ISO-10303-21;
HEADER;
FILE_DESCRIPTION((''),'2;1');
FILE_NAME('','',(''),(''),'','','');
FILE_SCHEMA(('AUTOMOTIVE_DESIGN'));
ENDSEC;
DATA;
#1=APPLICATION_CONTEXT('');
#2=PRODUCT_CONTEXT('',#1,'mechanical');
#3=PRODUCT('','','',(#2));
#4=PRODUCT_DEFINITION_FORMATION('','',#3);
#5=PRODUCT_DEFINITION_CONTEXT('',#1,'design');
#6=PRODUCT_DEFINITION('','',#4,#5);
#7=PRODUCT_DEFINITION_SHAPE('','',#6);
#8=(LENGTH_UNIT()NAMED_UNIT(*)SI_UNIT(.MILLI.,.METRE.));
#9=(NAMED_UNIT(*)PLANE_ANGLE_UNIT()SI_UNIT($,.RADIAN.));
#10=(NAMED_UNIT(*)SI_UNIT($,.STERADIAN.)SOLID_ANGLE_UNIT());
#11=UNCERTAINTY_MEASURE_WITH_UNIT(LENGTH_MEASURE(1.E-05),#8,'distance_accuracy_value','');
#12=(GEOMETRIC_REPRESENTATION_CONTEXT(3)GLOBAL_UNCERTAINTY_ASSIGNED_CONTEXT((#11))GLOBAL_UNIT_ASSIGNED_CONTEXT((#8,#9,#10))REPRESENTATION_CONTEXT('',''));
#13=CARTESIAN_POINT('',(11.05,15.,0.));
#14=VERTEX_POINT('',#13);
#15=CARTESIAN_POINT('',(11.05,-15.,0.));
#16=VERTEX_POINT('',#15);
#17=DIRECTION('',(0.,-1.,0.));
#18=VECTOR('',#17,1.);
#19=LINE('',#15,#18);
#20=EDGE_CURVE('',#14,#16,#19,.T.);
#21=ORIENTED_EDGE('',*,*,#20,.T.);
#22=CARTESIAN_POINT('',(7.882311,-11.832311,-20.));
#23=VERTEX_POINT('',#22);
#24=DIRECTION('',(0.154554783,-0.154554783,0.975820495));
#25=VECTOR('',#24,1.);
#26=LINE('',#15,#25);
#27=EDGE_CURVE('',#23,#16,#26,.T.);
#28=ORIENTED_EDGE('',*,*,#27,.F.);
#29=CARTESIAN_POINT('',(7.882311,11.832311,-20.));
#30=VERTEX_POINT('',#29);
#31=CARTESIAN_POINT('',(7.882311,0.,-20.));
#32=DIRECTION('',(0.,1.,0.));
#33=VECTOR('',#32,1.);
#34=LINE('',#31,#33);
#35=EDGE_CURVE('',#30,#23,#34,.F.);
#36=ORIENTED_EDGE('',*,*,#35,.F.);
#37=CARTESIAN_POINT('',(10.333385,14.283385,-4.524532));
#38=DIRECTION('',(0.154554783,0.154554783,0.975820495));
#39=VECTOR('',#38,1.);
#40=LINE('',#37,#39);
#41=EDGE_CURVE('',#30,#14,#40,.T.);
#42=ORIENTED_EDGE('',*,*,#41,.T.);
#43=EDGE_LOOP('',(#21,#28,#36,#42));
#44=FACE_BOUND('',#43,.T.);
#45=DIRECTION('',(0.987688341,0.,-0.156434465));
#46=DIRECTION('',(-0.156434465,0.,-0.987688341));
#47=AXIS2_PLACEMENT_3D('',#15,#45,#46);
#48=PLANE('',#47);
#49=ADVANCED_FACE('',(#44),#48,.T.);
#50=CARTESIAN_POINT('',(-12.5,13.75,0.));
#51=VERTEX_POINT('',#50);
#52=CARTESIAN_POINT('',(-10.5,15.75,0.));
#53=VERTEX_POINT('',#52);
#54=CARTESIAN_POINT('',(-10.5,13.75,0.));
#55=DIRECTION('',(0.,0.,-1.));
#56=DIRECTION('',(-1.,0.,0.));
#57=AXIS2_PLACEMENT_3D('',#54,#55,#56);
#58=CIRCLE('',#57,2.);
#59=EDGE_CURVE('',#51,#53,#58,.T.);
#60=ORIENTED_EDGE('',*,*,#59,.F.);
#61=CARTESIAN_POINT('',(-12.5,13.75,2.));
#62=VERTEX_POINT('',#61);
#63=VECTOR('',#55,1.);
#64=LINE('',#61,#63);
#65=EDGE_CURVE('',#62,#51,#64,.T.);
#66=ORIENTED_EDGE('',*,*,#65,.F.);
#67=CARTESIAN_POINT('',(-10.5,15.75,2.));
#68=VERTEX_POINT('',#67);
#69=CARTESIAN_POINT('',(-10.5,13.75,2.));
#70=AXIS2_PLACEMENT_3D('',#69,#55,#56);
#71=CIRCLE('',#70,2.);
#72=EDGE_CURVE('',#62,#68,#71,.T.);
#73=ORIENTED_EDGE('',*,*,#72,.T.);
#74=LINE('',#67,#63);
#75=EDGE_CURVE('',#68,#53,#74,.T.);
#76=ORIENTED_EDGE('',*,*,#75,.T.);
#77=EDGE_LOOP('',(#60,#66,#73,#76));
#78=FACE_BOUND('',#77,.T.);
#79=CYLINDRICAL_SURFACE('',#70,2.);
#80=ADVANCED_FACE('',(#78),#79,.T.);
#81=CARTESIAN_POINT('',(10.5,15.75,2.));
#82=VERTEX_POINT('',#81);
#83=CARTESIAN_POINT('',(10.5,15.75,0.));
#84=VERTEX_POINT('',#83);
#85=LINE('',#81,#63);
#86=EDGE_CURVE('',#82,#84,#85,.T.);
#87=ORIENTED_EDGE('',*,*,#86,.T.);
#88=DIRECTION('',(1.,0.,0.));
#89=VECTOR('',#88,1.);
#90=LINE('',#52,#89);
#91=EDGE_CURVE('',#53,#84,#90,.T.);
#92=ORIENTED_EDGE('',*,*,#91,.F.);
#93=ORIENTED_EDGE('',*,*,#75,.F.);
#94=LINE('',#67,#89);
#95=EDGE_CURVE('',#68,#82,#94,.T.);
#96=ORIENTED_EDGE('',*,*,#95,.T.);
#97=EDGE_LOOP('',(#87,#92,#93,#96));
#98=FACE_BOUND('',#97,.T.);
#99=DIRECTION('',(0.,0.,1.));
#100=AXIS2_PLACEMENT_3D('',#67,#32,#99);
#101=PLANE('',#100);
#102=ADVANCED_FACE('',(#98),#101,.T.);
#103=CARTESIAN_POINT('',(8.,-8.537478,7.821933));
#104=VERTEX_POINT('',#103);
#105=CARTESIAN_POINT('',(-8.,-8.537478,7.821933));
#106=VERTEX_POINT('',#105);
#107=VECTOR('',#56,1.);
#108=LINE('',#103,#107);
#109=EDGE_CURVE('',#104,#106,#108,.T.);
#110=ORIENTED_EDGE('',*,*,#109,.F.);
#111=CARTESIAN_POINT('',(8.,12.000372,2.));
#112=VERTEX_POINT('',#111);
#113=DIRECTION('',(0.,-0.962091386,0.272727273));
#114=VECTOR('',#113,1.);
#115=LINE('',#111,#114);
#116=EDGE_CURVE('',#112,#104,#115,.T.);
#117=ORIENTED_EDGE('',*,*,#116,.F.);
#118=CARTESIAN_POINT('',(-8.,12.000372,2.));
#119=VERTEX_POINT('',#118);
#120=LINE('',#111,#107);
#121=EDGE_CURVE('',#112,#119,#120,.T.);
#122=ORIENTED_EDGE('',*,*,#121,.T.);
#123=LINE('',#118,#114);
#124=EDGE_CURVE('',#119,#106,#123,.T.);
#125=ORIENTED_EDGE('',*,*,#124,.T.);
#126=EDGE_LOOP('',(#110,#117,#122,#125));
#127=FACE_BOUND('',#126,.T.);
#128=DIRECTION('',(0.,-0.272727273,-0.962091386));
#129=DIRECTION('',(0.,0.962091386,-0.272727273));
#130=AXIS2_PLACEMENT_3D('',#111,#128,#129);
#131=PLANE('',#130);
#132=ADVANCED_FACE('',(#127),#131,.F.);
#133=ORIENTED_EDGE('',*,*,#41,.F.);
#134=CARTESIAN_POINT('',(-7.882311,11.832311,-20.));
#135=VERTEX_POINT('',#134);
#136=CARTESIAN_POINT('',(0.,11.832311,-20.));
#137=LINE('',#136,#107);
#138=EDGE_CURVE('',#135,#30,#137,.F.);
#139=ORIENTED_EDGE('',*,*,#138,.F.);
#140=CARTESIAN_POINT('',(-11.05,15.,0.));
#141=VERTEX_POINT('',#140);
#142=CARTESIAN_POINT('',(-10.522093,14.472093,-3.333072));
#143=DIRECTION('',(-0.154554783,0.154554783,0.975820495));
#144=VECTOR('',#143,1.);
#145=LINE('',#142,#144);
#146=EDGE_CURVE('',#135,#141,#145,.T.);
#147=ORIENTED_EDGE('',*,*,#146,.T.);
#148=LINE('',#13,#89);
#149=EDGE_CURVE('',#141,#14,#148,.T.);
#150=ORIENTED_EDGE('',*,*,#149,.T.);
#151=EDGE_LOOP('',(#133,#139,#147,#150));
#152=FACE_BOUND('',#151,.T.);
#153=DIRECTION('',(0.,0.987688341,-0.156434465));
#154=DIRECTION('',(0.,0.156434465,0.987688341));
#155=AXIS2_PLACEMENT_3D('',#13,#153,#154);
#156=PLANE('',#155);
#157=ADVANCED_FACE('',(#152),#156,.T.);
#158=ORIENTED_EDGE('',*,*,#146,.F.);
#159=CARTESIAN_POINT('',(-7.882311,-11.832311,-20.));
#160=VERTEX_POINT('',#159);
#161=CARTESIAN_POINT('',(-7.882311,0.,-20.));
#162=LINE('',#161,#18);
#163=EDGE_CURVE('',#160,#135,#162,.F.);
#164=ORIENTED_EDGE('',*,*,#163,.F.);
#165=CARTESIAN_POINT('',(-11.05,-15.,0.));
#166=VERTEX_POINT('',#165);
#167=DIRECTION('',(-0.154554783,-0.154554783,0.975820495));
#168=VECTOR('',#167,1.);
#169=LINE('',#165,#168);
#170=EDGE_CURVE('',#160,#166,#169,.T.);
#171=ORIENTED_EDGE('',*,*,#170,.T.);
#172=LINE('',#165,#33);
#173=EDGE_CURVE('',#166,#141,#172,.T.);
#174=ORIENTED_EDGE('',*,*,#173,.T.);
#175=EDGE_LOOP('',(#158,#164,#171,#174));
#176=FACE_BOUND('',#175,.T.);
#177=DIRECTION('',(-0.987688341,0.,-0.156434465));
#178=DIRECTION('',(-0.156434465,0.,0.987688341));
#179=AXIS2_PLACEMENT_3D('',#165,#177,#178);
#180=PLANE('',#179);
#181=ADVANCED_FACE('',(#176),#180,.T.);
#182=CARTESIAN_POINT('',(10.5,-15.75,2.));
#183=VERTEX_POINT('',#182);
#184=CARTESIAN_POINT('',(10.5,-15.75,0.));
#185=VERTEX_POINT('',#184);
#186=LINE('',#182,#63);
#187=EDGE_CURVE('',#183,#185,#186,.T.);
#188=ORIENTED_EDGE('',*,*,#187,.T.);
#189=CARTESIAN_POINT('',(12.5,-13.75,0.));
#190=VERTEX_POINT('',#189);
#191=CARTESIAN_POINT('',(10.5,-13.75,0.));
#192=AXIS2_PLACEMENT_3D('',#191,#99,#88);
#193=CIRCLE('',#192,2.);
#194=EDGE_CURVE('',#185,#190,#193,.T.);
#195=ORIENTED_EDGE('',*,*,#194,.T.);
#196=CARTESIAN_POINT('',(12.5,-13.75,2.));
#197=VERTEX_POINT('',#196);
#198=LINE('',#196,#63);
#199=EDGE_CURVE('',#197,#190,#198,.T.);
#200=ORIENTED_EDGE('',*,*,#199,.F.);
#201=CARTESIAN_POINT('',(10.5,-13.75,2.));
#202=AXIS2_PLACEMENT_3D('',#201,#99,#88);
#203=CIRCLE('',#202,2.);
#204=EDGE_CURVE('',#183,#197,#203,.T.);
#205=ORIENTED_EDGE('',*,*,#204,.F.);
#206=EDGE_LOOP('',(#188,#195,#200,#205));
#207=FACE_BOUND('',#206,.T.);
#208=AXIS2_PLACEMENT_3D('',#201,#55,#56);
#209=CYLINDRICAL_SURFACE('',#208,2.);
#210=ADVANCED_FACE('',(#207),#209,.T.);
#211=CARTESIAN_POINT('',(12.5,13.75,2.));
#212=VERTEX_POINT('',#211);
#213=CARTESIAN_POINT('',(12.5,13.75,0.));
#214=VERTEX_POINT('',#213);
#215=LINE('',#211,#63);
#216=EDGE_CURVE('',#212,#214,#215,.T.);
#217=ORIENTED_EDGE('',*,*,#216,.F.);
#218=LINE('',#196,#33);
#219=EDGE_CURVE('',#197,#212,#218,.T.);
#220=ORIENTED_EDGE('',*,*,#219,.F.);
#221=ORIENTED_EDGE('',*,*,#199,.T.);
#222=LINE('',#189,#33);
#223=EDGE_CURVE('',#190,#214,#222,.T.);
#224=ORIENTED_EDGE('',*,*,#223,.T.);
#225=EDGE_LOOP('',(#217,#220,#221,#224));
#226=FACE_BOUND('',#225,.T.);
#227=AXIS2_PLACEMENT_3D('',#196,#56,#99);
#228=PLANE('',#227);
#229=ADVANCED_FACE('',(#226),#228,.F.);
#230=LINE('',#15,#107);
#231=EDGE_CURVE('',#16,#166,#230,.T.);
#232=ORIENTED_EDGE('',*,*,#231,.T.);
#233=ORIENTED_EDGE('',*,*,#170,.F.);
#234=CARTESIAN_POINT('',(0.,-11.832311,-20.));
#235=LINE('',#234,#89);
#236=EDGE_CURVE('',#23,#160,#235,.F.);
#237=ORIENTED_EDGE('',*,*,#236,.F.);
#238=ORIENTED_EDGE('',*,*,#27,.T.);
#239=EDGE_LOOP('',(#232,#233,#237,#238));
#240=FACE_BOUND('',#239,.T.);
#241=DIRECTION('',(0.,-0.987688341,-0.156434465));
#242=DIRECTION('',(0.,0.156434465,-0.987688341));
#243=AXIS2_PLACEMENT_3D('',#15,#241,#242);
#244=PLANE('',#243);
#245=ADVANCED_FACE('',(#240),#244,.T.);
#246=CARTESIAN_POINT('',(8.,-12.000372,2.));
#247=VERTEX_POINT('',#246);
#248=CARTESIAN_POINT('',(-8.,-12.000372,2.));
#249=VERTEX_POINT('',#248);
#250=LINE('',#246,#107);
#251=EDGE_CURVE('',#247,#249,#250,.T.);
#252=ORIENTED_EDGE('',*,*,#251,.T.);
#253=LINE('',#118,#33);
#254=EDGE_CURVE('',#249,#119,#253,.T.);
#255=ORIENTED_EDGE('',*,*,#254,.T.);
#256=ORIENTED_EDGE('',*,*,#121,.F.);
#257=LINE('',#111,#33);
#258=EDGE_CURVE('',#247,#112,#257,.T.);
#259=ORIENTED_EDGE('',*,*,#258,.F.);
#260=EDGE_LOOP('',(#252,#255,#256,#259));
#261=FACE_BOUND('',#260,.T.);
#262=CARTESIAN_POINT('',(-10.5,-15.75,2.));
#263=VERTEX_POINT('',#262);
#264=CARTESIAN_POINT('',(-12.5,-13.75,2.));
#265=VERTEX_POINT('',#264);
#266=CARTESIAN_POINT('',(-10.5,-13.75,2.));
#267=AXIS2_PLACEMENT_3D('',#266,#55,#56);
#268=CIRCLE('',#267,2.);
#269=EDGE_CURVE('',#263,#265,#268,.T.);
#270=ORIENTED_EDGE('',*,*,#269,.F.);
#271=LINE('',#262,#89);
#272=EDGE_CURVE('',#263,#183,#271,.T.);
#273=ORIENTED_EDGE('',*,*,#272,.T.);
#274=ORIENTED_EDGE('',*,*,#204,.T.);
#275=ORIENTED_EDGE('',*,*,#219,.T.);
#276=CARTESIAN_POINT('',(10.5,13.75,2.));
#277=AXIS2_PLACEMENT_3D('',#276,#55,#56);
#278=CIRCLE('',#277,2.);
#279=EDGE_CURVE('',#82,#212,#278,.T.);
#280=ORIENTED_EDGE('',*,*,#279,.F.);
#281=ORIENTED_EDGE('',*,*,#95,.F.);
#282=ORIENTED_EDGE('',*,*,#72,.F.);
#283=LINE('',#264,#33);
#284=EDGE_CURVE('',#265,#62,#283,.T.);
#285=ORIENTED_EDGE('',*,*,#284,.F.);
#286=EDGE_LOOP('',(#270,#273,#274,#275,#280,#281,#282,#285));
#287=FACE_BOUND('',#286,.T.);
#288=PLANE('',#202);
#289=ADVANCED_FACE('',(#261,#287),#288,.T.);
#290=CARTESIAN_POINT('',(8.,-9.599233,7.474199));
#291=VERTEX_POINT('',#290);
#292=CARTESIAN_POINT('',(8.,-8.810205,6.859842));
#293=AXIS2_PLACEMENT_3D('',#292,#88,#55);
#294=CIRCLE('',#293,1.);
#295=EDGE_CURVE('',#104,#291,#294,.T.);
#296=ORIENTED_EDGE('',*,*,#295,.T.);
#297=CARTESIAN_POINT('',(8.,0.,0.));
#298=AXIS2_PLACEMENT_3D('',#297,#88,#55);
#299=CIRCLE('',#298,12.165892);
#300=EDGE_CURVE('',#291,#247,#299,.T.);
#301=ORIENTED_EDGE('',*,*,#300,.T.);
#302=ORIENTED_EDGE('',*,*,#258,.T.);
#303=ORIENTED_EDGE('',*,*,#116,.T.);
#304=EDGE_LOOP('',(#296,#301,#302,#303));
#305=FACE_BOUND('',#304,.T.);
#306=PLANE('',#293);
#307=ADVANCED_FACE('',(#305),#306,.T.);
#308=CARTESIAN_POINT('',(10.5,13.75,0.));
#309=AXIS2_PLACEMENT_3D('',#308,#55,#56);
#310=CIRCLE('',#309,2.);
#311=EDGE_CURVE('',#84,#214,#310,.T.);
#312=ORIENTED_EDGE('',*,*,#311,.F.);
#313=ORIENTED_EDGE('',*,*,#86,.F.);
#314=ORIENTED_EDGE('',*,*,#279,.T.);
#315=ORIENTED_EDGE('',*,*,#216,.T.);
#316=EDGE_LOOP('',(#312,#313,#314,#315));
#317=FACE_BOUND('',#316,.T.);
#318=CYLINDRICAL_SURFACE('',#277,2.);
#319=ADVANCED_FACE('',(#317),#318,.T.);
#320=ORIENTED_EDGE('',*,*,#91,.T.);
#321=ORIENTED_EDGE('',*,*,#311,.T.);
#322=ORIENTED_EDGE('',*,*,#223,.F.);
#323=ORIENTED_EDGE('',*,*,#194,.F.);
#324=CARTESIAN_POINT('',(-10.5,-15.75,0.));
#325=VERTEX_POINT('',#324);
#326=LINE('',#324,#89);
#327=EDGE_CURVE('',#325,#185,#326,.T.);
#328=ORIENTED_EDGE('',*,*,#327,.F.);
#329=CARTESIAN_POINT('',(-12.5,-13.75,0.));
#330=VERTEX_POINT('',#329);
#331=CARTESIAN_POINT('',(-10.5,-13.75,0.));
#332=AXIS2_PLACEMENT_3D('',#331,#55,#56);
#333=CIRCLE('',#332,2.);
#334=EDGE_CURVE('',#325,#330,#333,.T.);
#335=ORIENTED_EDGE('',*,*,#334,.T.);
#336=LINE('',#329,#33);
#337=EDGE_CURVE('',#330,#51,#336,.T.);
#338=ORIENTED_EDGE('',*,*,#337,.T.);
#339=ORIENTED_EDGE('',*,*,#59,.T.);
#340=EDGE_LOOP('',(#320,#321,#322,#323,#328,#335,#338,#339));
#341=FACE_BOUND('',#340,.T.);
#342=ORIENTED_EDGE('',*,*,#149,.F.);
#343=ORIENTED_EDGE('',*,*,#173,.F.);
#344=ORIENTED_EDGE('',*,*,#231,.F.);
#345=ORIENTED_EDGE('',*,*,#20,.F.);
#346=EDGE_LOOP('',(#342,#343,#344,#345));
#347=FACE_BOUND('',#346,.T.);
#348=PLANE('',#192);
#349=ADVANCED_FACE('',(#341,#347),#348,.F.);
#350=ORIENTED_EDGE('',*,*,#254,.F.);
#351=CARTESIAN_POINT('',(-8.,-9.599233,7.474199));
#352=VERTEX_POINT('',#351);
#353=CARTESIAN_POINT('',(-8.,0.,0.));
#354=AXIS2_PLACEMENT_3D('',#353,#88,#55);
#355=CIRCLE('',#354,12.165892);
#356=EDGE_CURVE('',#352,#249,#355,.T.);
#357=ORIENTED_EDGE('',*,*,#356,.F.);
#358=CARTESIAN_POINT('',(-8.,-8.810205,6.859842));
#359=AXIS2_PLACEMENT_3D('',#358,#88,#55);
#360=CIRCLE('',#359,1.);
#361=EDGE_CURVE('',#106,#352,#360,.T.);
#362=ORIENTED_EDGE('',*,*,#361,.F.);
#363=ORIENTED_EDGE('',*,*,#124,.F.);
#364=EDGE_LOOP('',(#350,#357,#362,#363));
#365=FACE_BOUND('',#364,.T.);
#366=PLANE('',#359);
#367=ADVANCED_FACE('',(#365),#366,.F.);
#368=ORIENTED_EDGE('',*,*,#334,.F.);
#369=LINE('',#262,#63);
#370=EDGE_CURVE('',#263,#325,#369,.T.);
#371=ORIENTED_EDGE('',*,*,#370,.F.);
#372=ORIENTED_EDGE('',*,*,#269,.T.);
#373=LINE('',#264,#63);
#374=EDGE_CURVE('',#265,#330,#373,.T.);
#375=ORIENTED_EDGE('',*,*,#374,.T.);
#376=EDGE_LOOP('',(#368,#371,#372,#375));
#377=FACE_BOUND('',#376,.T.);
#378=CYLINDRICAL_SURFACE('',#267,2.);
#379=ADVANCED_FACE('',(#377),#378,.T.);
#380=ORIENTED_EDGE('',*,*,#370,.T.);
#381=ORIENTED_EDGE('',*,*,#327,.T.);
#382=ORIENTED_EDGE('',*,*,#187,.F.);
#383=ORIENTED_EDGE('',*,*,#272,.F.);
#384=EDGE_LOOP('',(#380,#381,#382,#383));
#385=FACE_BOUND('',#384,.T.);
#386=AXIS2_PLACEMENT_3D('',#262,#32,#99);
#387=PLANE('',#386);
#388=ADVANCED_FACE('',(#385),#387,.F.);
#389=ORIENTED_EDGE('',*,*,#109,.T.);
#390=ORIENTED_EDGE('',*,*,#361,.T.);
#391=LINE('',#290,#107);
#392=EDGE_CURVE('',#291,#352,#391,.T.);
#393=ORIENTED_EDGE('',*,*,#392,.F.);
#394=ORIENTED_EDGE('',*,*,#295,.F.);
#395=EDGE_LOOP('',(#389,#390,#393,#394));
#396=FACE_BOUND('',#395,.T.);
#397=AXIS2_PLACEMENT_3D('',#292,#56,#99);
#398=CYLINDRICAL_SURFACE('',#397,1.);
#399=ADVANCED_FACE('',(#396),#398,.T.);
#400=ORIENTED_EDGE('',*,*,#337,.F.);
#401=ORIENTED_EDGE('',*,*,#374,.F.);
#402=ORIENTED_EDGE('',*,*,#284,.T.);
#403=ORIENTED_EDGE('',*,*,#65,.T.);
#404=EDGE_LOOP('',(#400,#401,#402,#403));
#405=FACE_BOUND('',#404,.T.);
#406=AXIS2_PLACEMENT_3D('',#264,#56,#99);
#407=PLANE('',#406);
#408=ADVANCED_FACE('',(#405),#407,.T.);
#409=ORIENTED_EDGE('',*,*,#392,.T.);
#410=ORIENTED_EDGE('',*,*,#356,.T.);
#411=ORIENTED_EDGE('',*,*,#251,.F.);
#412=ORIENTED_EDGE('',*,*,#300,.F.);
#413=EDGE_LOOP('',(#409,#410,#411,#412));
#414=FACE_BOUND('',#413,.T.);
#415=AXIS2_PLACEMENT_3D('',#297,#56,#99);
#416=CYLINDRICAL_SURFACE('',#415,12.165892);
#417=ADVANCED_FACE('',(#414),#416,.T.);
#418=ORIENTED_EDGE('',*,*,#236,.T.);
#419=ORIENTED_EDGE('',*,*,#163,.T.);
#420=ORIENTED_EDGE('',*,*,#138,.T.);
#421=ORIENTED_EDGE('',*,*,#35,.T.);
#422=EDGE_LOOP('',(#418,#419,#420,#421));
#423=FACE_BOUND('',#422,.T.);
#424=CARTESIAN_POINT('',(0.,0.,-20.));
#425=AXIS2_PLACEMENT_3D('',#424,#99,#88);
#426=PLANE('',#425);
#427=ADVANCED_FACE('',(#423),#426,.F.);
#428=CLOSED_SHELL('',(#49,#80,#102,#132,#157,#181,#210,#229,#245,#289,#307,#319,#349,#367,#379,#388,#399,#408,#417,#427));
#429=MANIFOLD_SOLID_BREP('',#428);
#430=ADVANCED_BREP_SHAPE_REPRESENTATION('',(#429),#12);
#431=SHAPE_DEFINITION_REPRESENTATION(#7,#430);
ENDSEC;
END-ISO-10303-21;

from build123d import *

# Parameters (mm, degrees)
BOSS_EXTRUDE1_DEPTH = 2
BOSS_EXTRUDE2_DEPTH = 8
SKETCH3_W           = 22.1
SKETCH3_H           = 30
BOSS_EXTRUDE3_DEPTH = 20
BOSS_EXTRUDE3_TAPER = 9


with BuildPart() as part:
    # Sketch1 → Boss-Extrude1 (new body)
    with BuildSketch(Plane.XY):
        with BuildLine():
            Line((-10.5, -15.75), (10.5, -15.75))
            ThreePointArc((10.5, -15.75), (11.914213562, -15.164213562), (12.5, -13.75))
            Line((12.5, -13.75), (12.5, 13.75))
            ThreePointArc((12.5, 13.75), (11.914213562, 15.164213562), (10.5, 15.75))
            Line((10.5, 15.75), (-10.5, 15.75))
            ThreePointArc((-10.5, 15.75), (-11.914213562, 15.164213562), (-12.5, 13.75))
            Line((-12.5, 13.75), (-12.5, -13.75))
            ThreePointArc((-12.5, -13.75), (-11.914213562, -15.164213562), (-10.5, -15.75))
        make_face()
    extrude(amount=BOSS_EXTRUDE1_DEPTH)

    # Sketch2 → Boss-Extrude2 (add, symmetric)
    with BuildSketch(Plane(origin=(0, 0, 0), x_dir=(0, 0, -1), z_dir=(1, 0, 0))):
        with BuildLine():
            Line((-2, 12.000372018), (-2, -12.000372018))
            ThreePointArc((-2, -12.000372018), (-4.886867761, -11.141250022), (-7.474198634, -9.599233477))
            ThreePointArc((-7.474198634, -9.599233477), (-7.810172539, -9.12144706), (-7.821933208, -8.537477873))
            Line((-7.821933208, -8.537477873), (-2, 12.000372018))
        make_face()
    extrude(amount=BOSS_EXTRUDE2_DEPTH, both=True)

    # Sketch3 → Boss-Extrude3 (add)
    with BuildSketch(Plane(origin=(0, 0, 0), x_dir=(-1, 0, 0), z_dir=(0, 0, -1))):
        Rectangle(SKETCH3_W, SKETCH3_H)
    extrude(amount=BOSS_EXTRUDE3_DEPTH, taper=BOSS_EXTRUDE3_TAPER)


solid = part.part
